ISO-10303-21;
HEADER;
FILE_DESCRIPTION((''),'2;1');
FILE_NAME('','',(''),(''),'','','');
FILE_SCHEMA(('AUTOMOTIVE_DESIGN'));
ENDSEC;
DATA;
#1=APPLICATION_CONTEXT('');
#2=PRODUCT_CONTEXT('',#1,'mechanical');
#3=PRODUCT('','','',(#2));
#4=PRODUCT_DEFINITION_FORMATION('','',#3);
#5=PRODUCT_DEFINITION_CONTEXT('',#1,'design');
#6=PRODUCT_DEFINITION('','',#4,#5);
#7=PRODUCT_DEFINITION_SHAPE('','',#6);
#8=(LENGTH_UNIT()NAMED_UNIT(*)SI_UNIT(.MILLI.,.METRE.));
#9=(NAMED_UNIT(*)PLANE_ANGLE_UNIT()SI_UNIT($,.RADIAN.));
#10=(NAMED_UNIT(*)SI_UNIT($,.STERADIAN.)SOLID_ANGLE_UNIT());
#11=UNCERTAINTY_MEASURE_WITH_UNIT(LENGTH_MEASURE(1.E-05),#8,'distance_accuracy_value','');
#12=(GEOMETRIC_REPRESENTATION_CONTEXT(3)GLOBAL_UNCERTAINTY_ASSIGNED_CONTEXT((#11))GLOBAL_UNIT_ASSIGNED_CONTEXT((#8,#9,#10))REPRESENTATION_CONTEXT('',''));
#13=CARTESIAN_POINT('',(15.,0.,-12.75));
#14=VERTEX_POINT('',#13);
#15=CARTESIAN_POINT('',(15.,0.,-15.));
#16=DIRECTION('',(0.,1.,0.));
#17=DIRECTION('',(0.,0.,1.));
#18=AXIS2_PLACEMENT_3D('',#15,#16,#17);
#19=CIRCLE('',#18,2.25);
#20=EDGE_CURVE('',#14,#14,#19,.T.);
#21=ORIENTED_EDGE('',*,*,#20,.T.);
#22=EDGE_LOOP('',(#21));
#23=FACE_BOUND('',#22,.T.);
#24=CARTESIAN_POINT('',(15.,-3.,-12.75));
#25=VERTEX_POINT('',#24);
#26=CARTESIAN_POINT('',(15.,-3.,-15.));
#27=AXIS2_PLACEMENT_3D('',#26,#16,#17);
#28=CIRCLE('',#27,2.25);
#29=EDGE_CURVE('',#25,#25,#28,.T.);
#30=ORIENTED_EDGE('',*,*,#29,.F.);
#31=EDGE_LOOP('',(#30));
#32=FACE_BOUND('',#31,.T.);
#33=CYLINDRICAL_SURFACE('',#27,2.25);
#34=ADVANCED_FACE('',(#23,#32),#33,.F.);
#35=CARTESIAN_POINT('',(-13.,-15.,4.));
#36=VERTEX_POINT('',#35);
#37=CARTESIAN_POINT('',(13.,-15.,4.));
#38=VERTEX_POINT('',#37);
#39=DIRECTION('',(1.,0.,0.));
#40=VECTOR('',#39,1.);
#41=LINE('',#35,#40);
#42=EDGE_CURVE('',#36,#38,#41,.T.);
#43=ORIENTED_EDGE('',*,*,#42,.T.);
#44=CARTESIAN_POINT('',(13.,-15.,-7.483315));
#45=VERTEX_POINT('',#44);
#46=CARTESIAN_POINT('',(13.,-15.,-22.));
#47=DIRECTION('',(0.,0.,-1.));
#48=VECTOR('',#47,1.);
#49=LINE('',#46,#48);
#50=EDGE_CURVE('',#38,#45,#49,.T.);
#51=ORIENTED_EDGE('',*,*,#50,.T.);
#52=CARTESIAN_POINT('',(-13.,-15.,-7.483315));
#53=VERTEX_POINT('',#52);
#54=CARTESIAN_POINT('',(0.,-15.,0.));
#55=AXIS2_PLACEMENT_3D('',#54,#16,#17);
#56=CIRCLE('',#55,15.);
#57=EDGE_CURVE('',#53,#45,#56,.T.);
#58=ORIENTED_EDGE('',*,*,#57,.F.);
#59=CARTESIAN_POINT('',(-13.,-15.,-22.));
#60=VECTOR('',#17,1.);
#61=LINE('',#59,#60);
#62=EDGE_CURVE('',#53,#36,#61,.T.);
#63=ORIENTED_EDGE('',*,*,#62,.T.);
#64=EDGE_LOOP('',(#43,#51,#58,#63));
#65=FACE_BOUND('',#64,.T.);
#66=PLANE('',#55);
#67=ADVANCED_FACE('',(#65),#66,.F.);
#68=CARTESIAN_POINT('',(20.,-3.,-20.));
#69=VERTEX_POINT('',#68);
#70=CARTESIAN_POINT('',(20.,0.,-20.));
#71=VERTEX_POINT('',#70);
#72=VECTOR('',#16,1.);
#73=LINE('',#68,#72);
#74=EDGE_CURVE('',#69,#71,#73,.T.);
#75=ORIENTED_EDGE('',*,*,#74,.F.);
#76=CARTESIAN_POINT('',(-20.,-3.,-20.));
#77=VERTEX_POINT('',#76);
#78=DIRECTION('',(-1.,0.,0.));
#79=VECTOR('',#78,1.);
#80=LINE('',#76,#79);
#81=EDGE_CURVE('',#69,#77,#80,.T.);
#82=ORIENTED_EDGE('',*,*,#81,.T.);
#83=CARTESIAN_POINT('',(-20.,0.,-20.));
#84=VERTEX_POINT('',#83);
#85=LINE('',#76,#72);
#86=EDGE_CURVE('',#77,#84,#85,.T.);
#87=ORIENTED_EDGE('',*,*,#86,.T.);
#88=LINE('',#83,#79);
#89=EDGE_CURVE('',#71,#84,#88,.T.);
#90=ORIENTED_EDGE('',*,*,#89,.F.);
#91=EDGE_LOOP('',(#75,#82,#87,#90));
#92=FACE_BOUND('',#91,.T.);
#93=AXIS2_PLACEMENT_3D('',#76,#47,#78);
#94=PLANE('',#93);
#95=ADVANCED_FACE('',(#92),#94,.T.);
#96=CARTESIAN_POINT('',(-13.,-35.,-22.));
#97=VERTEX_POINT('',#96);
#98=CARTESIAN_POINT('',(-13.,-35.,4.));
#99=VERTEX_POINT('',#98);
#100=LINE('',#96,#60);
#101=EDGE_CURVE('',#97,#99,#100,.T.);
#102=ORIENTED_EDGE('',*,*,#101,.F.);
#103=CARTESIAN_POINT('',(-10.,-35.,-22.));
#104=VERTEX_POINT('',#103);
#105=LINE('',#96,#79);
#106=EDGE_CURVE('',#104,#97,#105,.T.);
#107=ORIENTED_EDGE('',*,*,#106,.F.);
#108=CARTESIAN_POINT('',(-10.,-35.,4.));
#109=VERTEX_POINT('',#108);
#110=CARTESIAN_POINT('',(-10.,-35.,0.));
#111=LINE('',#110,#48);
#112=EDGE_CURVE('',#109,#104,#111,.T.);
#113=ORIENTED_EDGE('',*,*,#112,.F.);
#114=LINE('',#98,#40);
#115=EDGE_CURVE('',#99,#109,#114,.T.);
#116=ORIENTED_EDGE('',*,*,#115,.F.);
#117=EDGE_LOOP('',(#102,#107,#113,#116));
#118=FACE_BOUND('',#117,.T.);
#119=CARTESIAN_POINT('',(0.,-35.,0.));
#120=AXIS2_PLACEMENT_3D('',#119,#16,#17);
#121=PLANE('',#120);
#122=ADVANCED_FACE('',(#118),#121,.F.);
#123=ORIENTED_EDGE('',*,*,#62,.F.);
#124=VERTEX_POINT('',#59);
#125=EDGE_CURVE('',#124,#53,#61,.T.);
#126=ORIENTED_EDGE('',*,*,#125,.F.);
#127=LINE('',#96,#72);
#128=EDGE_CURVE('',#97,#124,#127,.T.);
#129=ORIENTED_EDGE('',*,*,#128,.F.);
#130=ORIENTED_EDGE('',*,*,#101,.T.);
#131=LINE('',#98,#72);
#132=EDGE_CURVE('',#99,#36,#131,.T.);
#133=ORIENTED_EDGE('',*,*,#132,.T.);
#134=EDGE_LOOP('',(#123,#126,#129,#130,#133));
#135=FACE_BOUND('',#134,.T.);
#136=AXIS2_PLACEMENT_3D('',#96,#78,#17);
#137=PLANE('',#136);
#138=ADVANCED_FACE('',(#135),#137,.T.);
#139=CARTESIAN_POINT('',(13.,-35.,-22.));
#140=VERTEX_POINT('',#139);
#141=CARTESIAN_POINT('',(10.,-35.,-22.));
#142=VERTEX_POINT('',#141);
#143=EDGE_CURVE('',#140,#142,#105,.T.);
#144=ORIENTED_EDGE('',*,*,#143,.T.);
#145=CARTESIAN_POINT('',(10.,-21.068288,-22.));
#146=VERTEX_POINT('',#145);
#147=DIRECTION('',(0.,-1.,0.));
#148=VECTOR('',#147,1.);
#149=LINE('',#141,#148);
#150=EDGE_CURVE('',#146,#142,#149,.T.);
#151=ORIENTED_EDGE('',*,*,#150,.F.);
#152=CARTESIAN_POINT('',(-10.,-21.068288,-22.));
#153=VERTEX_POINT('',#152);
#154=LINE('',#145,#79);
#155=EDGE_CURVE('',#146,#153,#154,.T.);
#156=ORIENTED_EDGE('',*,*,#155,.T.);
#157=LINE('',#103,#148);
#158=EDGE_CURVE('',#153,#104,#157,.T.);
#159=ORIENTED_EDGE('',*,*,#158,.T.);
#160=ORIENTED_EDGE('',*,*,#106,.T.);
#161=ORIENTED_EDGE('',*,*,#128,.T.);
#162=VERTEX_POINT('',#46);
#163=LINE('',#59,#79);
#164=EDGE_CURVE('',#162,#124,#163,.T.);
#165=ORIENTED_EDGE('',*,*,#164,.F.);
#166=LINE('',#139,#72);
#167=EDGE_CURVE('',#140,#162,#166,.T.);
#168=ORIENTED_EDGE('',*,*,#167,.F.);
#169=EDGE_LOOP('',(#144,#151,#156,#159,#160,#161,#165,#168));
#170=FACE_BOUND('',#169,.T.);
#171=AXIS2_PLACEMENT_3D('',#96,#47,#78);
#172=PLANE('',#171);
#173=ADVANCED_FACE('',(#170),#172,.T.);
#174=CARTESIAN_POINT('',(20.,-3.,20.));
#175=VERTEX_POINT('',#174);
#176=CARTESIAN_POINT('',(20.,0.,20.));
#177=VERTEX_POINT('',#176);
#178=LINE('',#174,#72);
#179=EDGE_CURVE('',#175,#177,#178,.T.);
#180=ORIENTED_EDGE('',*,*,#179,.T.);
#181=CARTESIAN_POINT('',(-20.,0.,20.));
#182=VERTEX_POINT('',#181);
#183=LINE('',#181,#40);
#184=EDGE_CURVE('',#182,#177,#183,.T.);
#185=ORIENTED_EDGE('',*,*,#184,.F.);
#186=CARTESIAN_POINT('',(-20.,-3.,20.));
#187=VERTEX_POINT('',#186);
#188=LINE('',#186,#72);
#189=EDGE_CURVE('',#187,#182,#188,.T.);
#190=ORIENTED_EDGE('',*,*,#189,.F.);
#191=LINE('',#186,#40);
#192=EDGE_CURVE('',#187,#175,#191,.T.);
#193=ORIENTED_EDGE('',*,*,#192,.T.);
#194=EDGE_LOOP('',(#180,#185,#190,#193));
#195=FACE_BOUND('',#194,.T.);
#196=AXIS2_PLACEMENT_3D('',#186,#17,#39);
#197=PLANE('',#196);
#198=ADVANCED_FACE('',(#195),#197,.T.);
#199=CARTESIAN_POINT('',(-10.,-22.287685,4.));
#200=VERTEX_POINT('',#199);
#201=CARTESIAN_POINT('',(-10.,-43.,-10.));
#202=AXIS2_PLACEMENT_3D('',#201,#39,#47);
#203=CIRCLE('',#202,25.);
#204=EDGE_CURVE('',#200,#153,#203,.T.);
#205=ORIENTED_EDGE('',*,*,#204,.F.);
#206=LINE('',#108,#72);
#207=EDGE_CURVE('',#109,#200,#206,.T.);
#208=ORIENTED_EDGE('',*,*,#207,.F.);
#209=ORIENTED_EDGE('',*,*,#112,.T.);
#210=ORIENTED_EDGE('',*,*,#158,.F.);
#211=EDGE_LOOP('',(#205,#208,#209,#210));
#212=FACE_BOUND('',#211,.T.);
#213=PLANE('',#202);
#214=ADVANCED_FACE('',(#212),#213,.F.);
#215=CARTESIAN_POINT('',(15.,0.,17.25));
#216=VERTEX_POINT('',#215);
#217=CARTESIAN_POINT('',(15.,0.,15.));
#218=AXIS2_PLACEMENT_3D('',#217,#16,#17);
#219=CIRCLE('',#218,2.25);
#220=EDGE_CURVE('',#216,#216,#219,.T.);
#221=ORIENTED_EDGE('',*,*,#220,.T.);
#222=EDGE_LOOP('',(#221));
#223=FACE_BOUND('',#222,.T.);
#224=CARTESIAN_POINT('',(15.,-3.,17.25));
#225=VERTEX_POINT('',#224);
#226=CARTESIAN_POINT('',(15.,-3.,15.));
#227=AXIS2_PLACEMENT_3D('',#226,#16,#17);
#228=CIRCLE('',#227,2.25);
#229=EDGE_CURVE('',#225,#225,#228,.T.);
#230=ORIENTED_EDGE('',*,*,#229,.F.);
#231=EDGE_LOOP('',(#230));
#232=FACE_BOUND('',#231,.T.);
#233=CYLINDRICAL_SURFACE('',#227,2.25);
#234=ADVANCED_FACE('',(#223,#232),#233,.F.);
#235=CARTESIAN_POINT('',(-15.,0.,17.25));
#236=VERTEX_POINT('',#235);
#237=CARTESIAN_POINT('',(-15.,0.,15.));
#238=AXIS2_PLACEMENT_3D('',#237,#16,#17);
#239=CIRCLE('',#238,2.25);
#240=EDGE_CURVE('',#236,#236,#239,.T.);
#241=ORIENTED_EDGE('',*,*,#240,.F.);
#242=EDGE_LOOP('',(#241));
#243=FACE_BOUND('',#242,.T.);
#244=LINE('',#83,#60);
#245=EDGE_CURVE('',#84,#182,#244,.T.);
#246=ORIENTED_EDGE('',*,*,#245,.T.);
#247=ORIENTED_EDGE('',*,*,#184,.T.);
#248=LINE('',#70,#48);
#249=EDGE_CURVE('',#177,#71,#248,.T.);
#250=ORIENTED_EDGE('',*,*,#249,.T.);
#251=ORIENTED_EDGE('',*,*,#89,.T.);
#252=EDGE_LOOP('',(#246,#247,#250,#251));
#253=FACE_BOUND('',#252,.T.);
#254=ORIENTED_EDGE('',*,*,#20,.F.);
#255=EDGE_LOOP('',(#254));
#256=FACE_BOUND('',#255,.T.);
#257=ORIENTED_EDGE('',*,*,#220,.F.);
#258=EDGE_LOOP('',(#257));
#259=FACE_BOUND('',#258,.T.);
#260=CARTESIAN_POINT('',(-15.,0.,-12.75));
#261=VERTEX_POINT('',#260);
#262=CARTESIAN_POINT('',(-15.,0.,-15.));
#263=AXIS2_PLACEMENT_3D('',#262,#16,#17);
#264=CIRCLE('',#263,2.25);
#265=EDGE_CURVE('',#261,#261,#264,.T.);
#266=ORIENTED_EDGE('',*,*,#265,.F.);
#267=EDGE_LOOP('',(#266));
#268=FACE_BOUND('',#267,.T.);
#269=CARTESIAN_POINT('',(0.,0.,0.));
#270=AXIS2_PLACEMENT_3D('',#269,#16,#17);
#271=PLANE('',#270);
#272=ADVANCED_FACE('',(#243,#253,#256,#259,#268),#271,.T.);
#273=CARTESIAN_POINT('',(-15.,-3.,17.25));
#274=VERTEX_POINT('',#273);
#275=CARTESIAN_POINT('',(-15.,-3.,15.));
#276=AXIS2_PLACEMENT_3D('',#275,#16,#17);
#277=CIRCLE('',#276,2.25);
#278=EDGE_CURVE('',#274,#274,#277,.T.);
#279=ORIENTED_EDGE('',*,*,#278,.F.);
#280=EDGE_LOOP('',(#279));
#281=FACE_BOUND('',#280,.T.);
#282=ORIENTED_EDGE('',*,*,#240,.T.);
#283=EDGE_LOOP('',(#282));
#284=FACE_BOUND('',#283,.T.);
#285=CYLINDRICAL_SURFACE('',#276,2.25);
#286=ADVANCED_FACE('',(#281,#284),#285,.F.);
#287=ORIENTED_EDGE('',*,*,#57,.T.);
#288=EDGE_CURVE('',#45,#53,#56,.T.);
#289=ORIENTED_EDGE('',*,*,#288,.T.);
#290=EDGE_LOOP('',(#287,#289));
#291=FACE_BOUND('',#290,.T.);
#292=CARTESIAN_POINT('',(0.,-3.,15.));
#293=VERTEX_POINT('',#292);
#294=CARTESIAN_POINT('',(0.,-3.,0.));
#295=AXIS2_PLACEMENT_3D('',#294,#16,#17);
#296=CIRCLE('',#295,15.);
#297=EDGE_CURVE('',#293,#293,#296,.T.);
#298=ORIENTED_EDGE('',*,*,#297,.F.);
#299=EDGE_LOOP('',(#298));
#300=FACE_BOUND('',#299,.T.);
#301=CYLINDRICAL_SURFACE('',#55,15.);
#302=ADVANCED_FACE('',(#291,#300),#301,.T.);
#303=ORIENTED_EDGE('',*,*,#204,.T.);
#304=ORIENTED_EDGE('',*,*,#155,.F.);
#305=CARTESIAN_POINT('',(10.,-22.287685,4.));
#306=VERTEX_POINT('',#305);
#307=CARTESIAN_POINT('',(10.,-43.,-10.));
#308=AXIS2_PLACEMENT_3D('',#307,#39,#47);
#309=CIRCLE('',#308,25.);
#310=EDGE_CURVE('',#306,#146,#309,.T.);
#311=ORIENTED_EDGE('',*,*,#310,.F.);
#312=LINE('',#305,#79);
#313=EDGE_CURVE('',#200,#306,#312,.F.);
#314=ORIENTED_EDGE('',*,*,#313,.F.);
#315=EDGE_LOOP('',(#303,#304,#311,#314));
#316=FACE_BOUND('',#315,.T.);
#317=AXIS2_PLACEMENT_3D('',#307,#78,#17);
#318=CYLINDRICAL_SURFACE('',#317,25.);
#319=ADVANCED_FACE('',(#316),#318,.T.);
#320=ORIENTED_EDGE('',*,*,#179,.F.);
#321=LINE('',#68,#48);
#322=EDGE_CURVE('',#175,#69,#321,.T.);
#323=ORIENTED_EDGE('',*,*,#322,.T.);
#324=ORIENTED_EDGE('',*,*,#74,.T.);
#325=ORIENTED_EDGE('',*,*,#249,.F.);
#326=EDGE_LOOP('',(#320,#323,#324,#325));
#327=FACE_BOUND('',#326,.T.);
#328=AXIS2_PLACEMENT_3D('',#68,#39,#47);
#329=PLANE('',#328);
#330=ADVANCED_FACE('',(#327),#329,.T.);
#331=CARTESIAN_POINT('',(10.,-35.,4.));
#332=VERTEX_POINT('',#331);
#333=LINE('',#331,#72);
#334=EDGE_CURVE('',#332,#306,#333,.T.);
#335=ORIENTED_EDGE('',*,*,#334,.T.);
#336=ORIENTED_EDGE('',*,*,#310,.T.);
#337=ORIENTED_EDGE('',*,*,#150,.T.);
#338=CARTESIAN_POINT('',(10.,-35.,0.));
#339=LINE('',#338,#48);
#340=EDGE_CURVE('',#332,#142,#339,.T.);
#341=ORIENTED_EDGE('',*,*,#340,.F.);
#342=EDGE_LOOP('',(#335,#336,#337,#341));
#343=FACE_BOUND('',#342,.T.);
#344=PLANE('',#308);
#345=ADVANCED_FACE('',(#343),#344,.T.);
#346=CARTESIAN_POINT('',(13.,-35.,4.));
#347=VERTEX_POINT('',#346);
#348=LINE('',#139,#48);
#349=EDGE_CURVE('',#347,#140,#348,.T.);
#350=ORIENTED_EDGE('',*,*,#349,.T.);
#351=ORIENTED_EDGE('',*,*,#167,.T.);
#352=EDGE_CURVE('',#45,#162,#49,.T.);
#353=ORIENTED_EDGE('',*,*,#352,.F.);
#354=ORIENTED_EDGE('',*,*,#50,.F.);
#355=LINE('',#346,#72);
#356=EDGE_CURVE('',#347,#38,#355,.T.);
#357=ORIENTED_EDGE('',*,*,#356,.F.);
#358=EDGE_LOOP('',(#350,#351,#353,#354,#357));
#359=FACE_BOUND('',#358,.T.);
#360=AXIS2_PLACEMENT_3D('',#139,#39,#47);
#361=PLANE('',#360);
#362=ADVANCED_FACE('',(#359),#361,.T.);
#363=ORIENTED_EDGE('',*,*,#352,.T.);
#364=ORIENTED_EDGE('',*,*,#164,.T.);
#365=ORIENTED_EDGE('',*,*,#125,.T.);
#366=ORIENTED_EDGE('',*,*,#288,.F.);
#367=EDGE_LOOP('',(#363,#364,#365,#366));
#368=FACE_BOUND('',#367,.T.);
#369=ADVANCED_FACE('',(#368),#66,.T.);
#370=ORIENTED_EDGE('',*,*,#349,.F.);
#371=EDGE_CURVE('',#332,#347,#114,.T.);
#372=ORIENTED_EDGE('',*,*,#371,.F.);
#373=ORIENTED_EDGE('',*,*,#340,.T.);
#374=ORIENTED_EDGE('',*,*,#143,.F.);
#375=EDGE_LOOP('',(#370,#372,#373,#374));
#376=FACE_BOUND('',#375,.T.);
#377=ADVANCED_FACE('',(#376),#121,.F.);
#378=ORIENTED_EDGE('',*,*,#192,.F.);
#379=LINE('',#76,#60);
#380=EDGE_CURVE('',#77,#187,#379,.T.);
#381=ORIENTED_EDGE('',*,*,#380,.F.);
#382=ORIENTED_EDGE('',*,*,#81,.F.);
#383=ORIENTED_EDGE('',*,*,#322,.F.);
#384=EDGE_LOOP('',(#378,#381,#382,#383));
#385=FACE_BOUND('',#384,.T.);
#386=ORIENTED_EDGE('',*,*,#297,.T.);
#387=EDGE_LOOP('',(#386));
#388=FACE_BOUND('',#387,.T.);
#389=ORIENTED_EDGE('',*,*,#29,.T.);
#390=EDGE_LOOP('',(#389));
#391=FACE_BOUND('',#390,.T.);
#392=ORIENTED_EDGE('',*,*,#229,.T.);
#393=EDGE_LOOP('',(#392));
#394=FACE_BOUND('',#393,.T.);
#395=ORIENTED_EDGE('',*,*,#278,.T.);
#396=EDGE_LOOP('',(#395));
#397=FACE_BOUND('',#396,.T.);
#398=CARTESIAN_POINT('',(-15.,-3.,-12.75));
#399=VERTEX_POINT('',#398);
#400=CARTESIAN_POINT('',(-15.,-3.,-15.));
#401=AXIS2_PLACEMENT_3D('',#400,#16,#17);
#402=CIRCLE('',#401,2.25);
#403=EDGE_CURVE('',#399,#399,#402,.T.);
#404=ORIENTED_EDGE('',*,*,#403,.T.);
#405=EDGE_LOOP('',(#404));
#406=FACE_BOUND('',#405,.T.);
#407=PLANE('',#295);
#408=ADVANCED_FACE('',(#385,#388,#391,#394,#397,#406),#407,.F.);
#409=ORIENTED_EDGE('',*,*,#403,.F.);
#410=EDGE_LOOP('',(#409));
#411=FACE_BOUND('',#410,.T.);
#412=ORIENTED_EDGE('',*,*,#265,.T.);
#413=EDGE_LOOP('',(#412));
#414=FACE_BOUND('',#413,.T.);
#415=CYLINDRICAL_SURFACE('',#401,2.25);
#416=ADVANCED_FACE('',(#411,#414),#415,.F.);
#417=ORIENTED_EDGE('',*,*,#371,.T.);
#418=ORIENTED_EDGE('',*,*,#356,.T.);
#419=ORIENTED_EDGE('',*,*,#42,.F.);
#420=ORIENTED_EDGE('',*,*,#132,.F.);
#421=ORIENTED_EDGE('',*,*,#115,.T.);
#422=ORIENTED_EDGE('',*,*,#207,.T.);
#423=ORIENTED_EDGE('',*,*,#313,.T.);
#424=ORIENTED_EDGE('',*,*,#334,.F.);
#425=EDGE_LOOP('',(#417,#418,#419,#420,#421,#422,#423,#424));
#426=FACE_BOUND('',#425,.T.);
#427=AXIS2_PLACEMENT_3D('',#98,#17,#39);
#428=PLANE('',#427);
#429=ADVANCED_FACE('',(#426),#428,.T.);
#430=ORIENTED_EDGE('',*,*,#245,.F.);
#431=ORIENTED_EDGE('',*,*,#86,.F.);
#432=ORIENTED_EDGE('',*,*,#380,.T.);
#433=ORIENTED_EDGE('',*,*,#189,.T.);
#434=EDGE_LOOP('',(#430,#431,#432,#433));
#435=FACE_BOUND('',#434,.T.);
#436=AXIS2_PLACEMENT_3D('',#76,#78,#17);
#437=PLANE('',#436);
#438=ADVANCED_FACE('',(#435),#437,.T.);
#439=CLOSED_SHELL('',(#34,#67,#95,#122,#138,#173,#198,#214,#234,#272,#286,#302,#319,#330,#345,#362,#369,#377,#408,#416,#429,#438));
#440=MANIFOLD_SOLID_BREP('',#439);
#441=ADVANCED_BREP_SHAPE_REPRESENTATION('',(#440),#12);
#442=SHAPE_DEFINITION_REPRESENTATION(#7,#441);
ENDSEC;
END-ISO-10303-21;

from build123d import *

# Parameters (mm, degrees)
SK_PLATE_W              = 40
SK_PLATE_H              = 40
EX_PLATE_DEPTH          = 3
SK_PLATEHOLES_4X_R      = 2.25
CUT_PLATEHOLES_4X_DEPTH = 3
SK_SWIVEL_R             = 15
EX_SWIVEL_DEPTH         = 12
SK_FORK_W               = 26
SK_FORK_H               = 26
EX_FORK_DEPTH           = 20
SK_WHEEL_R              = 25
EX_WHEEL_DEPTH          = 20


with BuildPart() as part:
    # SK_Plate → EX_Plate (new body)
    with BuildSketch(Plane(origin=(0, 0, 0), x_dir=(1, 0, 0), z_dir=(0, 1, 0))):
        Rectangle(SK_PLATE_W, SK_PLATE_H)
    extrude(amount=-EX_PLATE_DEPTH)

    # SK_PlateHoles_4x → CUT_PlateHoles_4x (cut)
    with BuildSketch(Plane(origin=(0, 0, 0), x_dir=(1, 0, 0), z_dir=(0, 1, 0))):
        with Locations((15, -15)):
            Circle(SK_PLATEHOLES_4X_R)
        with Locations((-15, -15)):
            Circle(SK_PLATEHOLES_4X_R)
        with Locations((15, 15)):
            Circle(SK_PLATEHOLES_4X_R)
        with Locations((-15, 15)):
            Circle(SK_PLATEHOLES_4X_R)
    extrude(amount=-CUT_PLATEHOLES_4X_DEPTH, mode=Mode.SUBTRACT)

    # SK_Swivel → EX_Swivel (add)
    with BuildSketch(Plane(origin=(0, -3, 0), x_dir=(1, 0, 0), z_dir=(0, 1, 0))):
        Circle(SK_SWIVEL_R)
    extrude(amount=-EX_SWIVEL_DEPTH)

    # SK_Fork → EX_Fork (add)
    with BuildSketch(Plane(origin=(0, -15, 0), x_dir=(1, 0, 0), z_dir=(0, 1, 0))):
        with Locations((0, 9)):
            Rectangle(SK_FORK_W, SK_FORK_H)
    extrude(amount=-EX_FORK_DEPTH)

    # SK_Wheel → EX_Wheel (add)
    with BuildSketch(Plane(origin=(-10, 0, 0), x_dir=(0, 0, -1), z_dir=(1, 0, 0))):
        with Locations((10, -43)):
            Circle(SK_WHEEL_R)
    extrude(amount=EX_WHEEL_DEPTH)


solid = part.part
